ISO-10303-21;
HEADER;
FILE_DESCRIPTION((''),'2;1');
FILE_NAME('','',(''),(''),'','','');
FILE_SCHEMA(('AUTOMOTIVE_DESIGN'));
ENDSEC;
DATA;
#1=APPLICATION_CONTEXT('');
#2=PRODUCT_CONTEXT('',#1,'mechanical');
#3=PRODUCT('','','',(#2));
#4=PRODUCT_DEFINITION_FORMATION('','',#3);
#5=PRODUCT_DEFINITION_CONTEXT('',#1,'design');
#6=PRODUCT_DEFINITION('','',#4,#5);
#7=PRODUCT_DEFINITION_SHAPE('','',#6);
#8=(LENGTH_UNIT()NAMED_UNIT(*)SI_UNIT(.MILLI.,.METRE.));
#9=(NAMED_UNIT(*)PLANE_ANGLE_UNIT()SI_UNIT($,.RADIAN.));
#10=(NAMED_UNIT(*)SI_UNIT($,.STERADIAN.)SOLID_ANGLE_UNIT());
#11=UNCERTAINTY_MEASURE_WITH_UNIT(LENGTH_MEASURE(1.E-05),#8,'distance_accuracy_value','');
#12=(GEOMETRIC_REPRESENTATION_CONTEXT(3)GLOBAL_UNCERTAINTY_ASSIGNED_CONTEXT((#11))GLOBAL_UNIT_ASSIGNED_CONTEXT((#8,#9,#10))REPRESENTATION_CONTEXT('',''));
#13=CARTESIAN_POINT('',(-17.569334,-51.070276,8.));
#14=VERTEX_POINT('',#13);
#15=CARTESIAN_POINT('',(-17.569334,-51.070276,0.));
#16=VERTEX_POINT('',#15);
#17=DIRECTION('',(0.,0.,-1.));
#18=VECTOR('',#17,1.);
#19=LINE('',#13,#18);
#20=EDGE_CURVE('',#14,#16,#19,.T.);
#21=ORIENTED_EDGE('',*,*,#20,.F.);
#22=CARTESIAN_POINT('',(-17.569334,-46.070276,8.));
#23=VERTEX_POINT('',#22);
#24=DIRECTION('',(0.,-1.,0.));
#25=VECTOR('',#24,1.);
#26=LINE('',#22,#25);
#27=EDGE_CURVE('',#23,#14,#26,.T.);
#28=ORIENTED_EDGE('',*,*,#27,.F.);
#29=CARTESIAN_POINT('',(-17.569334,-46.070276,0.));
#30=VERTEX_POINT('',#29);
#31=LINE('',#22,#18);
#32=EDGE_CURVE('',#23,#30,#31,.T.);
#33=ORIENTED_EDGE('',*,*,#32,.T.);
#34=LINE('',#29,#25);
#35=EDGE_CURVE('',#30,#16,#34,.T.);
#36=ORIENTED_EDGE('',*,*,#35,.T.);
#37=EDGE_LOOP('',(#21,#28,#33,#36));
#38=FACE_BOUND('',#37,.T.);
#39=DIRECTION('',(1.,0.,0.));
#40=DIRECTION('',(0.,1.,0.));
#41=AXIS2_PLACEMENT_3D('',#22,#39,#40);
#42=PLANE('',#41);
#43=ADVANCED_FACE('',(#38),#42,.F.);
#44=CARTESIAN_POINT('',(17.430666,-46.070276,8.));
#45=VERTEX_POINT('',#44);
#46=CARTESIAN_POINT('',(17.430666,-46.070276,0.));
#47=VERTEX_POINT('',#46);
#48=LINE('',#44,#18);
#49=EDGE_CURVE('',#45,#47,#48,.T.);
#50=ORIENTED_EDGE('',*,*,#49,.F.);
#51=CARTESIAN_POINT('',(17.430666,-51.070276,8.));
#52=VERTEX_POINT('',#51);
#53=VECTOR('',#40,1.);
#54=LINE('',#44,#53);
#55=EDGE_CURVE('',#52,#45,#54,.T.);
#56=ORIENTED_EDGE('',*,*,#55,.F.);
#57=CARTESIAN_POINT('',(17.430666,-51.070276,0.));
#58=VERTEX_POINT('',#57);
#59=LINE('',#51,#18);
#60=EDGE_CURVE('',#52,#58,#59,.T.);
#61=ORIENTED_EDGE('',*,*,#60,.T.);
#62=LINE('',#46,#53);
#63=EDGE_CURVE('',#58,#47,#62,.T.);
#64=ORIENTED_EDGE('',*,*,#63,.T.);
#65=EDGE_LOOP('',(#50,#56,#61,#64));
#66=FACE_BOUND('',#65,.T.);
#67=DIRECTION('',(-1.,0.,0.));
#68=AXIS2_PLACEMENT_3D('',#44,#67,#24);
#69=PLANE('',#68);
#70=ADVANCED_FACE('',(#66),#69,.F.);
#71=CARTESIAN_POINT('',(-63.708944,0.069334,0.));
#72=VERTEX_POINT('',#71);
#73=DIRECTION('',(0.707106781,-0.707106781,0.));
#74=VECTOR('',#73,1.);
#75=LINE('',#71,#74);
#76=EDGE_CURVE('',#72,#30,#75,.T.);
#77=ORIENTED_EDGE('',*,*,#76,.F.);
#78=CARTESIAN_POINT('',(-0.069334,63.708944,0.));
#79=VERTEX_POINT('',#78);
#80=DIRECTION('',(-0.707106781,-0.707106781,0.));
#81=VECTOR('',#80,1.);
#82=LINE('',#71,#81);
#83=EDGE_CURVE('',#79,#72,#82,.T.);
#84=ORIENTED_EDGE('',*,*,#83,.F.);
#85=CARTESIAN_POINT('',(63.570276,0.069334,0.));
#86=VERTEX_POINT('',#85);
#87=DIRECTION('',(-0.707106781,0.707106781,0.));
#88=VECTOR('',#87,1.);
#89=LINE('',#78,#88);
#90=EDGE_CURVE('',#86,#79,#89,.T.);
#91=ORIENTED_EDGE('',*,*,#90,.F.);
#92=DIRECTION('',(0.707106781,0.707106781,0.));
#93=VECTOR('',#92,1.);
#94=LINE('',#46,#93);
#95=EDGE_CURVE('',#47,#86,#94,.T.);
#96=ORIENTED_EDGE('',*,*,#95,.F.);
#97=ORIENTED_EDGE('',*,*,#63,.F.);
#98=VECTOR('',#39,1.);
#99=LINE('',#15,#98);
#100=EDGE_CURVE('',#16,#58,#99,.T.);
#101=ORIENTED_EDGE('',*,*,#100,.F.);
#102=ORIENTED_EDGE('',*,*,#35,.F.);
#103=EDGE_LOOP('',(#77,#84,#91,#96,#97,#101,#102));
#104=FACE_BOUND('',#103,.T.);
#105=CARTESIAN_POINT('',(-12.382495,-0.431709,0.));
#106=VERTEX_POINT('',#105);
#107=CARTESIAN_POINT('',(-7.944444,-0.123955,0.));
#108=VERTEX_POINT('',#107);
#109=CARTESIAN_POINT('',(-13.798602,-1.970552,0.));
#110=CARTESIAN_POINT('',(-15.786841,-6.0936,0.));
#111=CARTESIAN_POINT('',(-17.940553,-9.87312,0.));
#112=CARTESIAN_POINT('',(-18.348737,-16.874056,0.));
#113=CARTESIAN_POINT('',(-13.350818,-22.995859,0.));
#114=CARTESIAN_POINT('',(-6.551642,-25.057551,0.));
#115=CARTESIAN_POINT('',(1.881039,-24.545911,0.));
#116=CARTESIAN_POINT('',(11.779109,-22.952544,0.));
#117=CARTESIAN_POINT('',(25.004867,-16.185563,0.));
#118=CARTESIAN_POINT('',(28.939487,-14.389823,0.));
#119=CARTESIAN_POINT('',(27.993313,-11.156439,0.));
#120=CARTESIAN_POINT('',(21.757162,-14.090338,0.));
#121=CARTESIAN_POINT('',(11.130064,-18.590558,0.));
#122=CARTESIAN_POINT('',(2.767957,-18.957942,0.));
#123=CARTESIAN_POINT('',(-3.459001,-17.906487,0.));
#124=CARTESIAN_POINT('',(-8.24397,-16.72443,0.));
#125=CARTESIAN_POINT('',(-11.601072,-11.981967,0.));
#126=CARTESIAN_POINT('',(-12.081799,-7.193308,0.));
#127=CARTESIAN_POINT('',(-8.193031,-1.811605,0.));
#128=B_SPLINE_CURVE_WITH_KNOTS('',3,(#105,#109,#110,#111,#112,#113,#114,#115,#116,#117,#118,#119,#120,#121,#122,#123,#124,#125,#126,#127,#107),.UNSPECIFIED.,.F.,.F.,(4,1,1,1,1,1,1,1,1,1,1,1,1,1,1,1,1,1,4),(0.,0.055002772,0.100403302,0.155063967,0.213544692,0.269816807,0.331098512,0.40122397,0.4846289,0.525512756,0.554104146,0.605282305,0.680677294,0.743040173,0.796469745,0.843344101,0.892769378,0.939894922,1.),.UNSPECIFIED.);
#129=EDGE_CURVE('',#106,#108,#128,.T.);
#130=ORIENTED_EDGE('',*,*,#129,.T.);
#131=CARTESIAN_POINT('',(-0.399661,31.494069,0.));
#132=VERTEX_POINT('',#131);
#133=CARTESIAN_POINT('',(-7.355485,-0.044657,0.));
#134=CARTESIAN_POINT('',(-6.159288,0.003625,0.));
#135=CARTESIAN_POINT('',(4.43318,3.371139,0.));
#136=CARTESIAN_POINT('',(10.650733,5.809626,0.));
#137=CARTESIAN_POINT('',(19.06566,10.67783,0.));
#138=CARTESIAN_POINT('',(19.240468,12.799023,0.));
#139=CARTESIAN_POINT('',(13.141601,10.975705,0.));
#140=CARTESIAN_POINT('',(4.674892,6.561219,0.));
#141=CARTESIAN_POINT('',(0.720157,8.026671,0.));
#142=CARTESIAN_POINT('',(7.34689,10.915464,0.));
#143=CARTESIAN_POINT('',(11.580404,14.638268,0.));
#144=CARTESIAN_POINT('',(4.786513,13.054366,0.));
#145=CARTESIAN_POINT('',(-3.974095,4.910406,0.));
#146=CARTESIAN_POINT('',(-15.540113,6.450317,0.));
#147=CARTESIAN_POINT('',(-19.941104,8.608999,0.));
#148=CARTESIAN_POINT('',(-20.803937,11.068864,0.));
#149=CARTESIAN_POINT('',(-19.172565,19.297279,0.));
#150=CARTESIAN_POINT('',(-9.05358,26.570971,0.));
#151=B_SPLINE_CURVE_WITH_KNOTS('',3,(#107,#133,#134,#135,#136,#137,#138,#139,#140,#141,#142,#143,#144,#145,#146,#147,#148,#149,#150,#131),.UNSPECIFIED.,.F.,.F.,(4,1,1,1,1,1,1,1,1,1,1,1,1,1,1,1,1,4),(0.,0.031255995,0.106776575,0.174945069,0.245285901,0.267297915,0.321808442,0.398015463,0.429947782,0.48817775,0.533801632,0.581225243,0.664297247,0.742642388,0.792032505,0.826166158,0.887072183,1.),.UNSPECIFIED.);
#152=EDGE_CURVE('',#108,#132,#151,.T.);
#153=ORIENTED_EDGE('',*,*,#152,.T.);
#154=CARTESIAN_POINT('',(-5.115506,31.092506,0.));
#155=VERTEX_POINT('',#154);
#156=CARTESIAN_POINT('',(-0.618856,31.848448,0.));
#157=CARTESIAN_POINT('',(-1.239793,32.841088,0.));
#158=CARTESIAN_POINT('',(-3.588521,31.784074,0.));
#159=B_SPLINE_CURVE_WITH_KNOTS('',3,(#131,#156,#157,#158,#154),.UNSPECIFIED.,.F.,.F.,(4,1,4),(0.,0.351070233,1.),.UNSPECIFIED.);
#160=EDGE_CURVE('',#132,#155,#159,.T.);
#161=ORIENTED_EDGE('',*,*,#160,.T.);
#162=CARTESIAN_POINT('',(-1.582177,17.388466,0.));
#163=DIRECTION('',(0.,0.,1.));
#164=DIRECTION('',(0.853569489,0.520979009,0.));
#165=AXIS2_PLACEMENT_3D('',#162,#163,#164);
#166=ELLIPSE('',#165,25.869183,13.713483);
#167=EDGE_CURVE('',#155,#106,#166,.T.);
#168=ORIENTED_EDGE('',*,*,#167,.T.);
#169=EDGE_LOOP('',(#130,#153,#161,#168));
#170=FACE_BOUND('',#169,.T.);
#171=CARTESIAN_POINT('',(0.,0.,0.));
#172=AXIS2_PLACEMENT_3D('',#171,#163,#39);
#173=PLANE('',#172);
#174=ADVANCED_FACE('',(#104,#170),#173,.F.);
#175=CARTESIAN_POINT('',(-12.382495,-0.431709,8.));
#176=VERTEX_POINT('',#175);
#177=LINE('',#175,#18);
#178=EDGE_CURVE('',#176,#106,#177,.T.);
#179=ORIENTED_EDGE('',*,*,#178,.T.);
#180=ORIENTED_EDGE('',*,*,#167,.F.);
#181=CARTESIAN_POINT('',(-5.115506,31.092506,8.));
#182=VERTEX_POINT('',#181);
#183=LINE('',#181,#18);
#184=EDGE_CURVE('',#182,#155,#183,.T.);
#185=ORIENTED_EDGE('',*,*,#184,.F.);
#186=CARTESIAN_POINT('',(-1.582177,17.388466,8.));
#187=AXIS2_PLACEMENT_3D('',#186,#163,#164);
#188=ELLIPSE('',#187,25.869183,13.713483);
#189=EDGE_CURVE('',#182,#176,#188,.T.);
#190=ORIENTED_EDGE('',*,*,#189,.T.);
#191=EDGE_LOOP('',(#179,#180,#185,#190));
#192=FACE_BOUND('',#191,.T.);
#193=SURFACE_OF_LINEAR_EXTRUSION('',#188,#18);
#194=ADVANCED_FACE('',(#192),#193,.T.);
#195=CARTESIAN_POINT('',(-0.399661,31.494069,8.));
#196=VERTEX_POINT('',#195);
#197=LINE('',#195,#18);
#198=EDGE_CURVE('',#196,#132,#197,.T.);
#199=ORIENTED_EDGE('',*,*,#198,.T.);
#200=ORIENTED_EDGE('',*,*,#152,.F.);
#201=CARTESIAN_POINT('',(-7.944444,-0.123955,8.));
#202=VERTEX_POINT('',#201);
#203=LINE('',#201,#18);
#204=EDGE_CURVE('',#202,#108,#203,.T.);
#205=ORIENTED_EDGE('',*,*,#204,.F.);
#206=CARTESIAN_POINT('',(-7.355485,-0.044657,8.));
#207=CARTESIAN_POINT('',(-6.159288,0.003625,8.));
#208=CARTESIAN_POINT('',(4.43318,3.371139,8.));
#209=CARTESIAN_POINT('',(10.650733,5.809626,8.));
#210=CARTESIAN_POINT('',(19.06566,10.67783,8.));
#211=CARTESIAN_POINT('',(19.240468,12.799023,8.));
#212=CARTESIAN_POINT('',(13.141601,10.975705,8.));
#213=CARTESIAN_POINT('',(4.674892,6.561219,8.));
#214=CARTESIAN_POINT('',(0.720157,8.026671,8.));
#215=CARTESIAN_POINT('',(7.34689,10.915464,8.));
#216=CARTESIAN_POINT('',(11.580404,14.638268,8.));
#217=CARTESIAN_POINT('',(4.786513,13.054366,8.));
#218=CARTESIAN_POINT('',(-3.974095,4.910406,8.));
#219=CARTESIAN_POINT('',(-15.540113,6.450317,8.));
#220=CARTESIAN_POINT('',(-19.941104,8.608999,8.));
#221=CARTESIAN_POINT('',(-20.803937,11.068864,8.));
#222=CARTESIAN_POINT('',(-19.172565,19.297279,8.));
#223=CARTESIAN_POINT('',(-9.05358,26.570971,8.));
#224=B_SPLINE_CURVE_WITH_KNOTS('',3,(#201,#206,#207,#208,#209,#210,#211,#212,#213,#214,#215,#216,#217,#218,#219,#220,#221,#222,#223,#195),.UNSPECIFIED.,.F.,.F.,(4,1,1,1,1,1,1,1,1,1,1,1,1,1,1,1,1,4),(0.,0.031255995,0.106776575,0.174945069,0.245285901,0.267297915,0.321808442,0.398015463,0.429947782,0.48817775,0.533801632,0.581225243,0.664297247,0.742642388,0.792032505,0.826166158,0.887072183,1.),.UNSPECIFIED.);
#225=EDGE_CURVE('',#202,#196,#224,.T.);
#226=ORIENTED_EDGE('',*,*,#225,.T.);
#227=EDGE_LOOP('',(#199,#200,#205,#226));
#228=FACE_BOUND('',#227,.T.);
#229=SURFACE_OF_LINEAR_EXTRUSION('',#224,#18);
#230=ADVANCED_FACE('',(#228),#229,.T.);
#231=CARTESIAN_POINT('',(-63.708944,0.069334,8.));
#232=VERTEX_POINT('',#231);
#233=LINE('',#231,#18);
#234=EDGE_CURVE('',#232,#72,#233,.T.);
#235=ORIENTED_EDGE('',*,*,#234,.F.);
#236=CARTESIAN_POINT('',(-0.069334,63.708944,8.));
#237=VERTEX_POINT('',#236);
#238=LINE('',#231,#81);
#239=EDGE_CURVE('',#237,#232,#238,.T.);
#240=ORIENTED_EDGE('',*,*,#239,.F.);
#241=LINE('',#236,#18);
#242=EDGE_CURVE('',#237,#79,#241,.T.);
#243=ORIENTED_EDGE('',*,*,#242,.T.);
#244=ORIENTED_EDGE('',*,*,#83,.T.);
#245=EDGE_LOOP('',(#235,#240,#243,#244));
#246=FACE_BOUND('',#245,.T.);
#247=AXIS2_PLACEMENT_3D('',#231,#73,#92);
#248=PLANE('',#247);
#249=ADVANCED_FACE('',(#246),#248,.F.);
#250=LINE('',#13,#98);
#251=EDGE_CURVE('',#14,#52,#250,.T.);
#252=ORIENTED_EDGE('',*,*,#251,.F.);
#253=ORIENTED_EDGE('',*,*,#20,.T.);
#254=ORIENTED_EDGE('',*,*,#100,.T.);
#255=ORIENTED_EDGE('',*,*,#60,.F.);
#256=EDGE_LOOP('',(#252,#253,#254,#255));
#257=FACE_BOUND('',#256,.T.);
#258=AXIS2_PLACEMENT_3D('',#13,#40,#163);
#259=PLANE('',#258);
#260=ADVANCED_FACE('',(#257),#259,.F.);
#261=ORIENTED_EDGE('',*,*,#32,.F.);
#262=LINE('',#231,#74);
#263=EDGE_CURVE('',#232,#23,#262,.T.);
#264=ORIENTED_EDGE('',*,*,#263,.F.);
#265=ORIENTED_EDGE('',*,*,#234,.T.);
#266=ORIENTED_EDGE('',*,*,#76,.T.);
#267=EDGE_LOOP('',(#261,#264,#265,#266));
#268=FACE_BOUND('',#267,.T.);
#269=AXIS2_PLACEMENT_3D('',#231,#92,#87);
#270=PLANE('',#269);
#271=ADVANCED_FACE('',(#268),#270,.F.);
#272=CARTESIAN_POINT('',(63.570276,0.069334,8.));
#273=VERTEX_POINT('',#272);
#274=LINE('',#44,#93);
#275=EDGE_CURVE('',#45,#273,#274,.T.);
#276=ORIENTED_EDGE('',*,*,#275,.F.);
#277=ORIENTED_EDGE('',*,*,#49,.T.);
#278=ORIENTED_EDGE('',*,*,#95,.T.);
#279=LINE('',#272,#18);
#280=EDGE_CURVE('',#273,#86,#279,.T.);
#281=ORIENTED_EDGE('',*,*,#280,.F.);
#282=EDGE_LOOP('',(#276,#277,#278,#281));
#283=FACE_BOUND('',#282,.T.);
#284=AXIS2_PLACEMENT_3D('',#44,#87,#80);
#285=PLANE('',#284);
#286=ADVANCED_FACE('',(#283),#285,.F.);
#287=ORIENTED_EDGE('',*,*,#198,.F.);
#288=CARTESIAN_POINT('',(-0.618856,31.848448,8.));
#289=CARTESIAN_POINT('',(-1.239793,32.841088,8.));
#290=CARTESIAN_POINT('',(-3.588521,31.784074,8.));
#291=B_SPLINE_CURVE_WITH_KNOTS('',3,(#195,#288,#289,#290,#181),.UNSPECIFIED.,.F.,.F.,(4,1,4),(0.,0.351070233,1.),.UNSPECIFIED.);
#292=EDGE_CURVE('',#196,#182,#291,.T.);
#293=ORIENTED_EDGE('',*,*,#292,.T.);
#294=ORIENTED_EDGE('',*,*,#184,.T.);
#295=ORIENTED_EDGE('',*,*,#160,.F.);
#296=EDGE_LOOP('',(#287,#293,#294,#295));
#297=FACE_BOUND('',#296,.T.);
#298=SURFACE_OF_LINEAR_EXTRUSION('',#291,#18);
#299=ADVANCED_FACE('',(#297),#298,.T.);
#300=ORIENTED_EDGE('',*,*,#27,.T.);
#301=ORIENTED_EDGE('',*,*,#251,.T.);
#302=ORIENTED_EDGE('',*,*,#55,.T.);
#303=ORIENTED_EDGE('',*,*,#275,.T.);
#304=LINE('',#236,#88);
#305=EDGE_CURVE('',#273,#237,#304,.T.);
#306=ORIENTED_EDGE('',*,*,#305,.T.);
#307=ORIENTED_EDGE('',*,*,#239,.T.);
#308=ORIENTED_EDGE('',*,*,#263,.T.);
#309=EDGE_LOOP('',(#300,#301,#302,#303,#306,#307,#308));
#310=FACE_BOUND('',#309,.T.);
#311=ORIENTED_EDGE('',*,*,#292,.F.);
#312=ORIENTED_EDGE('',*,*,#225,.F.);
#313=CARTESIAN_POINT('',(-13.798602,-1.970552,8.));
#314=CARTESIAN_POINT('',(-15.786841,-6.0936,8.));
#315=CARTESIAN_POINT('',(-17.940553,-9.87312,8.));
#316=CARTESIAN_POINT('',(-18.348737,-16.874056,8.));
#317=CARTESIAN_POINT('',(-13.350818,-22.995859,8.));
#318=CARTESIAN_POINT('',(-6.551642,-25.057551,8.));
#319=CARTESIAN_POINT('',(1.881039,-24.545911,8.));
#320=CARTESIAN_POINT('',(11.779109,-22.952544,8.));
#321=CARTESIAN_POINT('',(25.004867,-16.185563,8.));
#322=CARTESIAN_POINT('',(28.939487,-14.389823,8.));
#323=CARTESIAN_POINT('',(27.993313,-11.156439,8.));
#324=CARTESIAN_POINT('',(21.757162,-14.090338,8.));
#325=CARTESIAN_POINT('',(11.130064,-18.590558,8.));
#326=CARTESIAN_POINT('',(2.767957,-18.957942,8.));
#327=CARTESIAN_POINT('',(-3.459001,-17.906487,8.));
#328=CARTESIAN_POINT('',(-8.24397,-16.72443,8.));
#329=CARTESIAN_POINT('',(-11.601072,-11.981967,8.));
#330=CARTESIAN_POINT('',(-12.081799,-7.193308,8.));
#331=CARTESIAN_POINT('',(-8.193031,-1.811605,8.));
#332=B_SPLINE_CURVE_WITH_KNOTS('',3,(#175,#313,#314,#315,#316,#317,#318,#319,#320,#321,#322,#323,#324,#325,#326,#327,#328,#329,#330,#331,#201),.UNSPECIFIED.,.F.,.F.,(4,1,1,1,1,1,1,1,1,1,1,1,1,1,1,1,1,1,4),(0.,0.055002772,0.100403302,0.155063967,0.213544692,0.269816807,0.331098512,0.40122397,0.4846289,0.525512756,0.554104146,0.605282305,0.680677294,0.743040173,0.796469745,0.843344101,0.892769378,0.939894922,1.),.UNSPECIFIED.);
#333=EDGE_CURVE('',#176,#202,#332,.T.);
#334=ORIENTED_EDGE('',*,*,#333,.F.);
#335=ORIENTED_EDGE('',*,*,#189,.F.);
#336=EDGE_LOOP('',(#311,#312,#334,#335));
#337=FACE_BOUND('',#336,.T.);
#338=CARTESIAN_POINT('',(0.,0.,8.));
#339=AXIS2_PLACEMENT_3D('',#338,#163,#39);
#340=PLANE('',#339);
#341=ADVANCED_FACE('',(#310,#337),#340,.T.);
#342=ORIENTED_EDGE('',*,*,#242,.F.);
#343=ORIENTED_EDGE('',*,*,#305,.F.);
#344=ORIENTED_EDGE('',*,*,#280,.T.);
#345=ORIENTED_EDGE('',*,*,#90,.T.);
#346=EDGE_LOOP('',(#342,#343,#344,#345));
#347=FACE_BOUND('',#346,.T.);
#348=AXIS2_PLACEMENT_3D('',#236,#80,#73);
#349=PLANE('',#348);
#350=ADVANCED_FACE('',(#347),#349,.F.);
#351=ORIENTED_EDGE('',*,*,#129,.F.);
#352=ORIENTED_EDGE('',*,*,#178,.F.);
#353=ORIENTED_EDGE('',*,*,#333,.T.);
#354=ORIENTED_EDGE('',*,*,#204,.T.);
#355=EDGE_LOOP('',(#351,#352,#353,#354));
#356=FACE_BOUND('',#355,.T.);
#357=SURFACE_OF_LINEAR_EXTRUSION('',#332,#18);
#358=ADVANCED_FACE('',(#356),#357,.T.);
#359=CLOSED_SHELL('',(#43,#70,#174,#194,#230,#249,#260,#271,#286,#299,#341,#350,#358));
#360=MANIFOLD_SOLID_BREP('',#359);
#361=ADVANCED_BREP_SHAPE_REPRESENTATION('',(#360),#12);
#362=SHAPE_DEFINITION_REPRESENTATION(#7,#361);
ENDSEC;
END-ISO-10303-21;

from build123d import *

# Parameters (mm, degrees)
BOSS_EXTRU_1_DEPTH = 8


with BuildPart() as part:
    # Esquisse1 → Boss.-Extru.1 (new body)
    with BuildSketch(Plane.XY):
        Polygon((-63.708944389, 0.069334083), (-0.069334083, 63.708944389), (63.570276224, 0.069334083), (17.430665917, -46.070276224), (17.430665917, -51.070276224), (-17.569334083, -51.070276224), (-17.569334083, -46.070276224), align=None)
        with BuildLine():
            add(Edge.make_bspline(
                [(-5.115506028, 31.092505827), (-74.694459112, -3.606886106), (-12.382495372, -0.431708683)],
                knots=[1.410712411, 1.410712411, 1.410712411, 3.915416826, 3.915416826, 3.915416826], degree=2, weights=[1, 0.313089284, 1]))
            add(Edge.make_bspline(
                [(-12.382495372, -0.431708683), (-13.798602233, -1.970552148), (-15.786840747, -6.093599789), (-17.940553431, -9.873120011), (-18.348737285, -16.874055848), (-13.35081833, -22.995859006), (-6.551642351, -25.057550692), (1.88103916, -24.54591103), (11.779109088, -22.952544083), (25.00486663, -16.185562888), (28.93948729, -14.389823467), (27.993312927, -11.156439401), (21.757162276, -14.090338296), (11.130064297, -18.590558204), (2.767957215, -18.957941955), (-3.459000654, -17.906487015), (-8.243969802, -16.724430253), (-11.601072215, -11.981967102), (-12.081798673, -7.193307921), (-8.193031016, -1.811604891), (-7.944443591, -0.123954778)],
                knots=[0, 0, 0, 0, 0.055002772, 0.100403302, 0.155063967, 0.213544692, 0.269816807, 0.331098512, 0.40122397, 0.4846289, 0.525512756, 0.554104146, 0.605282305, 0.680677294, 0.743040173, 0.796469745, 0.843344101, 0.892769378, 0.939894922, 1, 1, 1, 1], degree=3))
            add(Edge.make_bspline(
                [(-7.944443591, -0.123954778), (-7.355485291, -0.044657406), (-6.159288188, 0.003625087), (4.433180118, 3.371139171), (10.650732833, 5.809626431), (19.065659667, 10.677830295), (19.240467565, 12.799023311), (13.141600505, 10.975704887), (4.674891636, 6.56121877), (0.720157357, 8.026670784), (7.346889981, 10.915463592), (11.580403861, 14.638267723), (4.786512631, 13.05436648), (-3.974094832, 4.910405782), (-15.540112794, 6.450316743), (-19.941103743, 8.608999059), (-20.803937019, 11.068864087), (-19.172564933, 19.297278514), (-9.05358027, 26.570971255), (-0.399660554, 31.494069393)],
                knots=[0, 0, 0, 0, 0.031255995, 0.106776575, 0.174945069, 0.245285901, 0.267297915, 0.321808442, 0.398015463, 0.429947782, 0.48817775, 0.533801632, 0.581225243, 0.664297247, 0.742642388, 0.792032505, 0.826166158, 0.887072183, 1, 1, 1, 1], degree=3))
            add(Edge.make_bspline(
                [(-5.115506028, 31.092505827), (-3.588520618, 31.784073976), (-1.239792884, 32.841087965), (-0.618855633, 31.848447969), (-0.399660554, 31.494069393)],
                knots=[0, 0, 0, 0, 0.648929767, 1, 1, 1, 1], degree=3))
        make_face(mode=Mode.SUBTRACT)
    extrude(amount=BOSS_EXTRU_1_DEPTH)


solid = part.part
